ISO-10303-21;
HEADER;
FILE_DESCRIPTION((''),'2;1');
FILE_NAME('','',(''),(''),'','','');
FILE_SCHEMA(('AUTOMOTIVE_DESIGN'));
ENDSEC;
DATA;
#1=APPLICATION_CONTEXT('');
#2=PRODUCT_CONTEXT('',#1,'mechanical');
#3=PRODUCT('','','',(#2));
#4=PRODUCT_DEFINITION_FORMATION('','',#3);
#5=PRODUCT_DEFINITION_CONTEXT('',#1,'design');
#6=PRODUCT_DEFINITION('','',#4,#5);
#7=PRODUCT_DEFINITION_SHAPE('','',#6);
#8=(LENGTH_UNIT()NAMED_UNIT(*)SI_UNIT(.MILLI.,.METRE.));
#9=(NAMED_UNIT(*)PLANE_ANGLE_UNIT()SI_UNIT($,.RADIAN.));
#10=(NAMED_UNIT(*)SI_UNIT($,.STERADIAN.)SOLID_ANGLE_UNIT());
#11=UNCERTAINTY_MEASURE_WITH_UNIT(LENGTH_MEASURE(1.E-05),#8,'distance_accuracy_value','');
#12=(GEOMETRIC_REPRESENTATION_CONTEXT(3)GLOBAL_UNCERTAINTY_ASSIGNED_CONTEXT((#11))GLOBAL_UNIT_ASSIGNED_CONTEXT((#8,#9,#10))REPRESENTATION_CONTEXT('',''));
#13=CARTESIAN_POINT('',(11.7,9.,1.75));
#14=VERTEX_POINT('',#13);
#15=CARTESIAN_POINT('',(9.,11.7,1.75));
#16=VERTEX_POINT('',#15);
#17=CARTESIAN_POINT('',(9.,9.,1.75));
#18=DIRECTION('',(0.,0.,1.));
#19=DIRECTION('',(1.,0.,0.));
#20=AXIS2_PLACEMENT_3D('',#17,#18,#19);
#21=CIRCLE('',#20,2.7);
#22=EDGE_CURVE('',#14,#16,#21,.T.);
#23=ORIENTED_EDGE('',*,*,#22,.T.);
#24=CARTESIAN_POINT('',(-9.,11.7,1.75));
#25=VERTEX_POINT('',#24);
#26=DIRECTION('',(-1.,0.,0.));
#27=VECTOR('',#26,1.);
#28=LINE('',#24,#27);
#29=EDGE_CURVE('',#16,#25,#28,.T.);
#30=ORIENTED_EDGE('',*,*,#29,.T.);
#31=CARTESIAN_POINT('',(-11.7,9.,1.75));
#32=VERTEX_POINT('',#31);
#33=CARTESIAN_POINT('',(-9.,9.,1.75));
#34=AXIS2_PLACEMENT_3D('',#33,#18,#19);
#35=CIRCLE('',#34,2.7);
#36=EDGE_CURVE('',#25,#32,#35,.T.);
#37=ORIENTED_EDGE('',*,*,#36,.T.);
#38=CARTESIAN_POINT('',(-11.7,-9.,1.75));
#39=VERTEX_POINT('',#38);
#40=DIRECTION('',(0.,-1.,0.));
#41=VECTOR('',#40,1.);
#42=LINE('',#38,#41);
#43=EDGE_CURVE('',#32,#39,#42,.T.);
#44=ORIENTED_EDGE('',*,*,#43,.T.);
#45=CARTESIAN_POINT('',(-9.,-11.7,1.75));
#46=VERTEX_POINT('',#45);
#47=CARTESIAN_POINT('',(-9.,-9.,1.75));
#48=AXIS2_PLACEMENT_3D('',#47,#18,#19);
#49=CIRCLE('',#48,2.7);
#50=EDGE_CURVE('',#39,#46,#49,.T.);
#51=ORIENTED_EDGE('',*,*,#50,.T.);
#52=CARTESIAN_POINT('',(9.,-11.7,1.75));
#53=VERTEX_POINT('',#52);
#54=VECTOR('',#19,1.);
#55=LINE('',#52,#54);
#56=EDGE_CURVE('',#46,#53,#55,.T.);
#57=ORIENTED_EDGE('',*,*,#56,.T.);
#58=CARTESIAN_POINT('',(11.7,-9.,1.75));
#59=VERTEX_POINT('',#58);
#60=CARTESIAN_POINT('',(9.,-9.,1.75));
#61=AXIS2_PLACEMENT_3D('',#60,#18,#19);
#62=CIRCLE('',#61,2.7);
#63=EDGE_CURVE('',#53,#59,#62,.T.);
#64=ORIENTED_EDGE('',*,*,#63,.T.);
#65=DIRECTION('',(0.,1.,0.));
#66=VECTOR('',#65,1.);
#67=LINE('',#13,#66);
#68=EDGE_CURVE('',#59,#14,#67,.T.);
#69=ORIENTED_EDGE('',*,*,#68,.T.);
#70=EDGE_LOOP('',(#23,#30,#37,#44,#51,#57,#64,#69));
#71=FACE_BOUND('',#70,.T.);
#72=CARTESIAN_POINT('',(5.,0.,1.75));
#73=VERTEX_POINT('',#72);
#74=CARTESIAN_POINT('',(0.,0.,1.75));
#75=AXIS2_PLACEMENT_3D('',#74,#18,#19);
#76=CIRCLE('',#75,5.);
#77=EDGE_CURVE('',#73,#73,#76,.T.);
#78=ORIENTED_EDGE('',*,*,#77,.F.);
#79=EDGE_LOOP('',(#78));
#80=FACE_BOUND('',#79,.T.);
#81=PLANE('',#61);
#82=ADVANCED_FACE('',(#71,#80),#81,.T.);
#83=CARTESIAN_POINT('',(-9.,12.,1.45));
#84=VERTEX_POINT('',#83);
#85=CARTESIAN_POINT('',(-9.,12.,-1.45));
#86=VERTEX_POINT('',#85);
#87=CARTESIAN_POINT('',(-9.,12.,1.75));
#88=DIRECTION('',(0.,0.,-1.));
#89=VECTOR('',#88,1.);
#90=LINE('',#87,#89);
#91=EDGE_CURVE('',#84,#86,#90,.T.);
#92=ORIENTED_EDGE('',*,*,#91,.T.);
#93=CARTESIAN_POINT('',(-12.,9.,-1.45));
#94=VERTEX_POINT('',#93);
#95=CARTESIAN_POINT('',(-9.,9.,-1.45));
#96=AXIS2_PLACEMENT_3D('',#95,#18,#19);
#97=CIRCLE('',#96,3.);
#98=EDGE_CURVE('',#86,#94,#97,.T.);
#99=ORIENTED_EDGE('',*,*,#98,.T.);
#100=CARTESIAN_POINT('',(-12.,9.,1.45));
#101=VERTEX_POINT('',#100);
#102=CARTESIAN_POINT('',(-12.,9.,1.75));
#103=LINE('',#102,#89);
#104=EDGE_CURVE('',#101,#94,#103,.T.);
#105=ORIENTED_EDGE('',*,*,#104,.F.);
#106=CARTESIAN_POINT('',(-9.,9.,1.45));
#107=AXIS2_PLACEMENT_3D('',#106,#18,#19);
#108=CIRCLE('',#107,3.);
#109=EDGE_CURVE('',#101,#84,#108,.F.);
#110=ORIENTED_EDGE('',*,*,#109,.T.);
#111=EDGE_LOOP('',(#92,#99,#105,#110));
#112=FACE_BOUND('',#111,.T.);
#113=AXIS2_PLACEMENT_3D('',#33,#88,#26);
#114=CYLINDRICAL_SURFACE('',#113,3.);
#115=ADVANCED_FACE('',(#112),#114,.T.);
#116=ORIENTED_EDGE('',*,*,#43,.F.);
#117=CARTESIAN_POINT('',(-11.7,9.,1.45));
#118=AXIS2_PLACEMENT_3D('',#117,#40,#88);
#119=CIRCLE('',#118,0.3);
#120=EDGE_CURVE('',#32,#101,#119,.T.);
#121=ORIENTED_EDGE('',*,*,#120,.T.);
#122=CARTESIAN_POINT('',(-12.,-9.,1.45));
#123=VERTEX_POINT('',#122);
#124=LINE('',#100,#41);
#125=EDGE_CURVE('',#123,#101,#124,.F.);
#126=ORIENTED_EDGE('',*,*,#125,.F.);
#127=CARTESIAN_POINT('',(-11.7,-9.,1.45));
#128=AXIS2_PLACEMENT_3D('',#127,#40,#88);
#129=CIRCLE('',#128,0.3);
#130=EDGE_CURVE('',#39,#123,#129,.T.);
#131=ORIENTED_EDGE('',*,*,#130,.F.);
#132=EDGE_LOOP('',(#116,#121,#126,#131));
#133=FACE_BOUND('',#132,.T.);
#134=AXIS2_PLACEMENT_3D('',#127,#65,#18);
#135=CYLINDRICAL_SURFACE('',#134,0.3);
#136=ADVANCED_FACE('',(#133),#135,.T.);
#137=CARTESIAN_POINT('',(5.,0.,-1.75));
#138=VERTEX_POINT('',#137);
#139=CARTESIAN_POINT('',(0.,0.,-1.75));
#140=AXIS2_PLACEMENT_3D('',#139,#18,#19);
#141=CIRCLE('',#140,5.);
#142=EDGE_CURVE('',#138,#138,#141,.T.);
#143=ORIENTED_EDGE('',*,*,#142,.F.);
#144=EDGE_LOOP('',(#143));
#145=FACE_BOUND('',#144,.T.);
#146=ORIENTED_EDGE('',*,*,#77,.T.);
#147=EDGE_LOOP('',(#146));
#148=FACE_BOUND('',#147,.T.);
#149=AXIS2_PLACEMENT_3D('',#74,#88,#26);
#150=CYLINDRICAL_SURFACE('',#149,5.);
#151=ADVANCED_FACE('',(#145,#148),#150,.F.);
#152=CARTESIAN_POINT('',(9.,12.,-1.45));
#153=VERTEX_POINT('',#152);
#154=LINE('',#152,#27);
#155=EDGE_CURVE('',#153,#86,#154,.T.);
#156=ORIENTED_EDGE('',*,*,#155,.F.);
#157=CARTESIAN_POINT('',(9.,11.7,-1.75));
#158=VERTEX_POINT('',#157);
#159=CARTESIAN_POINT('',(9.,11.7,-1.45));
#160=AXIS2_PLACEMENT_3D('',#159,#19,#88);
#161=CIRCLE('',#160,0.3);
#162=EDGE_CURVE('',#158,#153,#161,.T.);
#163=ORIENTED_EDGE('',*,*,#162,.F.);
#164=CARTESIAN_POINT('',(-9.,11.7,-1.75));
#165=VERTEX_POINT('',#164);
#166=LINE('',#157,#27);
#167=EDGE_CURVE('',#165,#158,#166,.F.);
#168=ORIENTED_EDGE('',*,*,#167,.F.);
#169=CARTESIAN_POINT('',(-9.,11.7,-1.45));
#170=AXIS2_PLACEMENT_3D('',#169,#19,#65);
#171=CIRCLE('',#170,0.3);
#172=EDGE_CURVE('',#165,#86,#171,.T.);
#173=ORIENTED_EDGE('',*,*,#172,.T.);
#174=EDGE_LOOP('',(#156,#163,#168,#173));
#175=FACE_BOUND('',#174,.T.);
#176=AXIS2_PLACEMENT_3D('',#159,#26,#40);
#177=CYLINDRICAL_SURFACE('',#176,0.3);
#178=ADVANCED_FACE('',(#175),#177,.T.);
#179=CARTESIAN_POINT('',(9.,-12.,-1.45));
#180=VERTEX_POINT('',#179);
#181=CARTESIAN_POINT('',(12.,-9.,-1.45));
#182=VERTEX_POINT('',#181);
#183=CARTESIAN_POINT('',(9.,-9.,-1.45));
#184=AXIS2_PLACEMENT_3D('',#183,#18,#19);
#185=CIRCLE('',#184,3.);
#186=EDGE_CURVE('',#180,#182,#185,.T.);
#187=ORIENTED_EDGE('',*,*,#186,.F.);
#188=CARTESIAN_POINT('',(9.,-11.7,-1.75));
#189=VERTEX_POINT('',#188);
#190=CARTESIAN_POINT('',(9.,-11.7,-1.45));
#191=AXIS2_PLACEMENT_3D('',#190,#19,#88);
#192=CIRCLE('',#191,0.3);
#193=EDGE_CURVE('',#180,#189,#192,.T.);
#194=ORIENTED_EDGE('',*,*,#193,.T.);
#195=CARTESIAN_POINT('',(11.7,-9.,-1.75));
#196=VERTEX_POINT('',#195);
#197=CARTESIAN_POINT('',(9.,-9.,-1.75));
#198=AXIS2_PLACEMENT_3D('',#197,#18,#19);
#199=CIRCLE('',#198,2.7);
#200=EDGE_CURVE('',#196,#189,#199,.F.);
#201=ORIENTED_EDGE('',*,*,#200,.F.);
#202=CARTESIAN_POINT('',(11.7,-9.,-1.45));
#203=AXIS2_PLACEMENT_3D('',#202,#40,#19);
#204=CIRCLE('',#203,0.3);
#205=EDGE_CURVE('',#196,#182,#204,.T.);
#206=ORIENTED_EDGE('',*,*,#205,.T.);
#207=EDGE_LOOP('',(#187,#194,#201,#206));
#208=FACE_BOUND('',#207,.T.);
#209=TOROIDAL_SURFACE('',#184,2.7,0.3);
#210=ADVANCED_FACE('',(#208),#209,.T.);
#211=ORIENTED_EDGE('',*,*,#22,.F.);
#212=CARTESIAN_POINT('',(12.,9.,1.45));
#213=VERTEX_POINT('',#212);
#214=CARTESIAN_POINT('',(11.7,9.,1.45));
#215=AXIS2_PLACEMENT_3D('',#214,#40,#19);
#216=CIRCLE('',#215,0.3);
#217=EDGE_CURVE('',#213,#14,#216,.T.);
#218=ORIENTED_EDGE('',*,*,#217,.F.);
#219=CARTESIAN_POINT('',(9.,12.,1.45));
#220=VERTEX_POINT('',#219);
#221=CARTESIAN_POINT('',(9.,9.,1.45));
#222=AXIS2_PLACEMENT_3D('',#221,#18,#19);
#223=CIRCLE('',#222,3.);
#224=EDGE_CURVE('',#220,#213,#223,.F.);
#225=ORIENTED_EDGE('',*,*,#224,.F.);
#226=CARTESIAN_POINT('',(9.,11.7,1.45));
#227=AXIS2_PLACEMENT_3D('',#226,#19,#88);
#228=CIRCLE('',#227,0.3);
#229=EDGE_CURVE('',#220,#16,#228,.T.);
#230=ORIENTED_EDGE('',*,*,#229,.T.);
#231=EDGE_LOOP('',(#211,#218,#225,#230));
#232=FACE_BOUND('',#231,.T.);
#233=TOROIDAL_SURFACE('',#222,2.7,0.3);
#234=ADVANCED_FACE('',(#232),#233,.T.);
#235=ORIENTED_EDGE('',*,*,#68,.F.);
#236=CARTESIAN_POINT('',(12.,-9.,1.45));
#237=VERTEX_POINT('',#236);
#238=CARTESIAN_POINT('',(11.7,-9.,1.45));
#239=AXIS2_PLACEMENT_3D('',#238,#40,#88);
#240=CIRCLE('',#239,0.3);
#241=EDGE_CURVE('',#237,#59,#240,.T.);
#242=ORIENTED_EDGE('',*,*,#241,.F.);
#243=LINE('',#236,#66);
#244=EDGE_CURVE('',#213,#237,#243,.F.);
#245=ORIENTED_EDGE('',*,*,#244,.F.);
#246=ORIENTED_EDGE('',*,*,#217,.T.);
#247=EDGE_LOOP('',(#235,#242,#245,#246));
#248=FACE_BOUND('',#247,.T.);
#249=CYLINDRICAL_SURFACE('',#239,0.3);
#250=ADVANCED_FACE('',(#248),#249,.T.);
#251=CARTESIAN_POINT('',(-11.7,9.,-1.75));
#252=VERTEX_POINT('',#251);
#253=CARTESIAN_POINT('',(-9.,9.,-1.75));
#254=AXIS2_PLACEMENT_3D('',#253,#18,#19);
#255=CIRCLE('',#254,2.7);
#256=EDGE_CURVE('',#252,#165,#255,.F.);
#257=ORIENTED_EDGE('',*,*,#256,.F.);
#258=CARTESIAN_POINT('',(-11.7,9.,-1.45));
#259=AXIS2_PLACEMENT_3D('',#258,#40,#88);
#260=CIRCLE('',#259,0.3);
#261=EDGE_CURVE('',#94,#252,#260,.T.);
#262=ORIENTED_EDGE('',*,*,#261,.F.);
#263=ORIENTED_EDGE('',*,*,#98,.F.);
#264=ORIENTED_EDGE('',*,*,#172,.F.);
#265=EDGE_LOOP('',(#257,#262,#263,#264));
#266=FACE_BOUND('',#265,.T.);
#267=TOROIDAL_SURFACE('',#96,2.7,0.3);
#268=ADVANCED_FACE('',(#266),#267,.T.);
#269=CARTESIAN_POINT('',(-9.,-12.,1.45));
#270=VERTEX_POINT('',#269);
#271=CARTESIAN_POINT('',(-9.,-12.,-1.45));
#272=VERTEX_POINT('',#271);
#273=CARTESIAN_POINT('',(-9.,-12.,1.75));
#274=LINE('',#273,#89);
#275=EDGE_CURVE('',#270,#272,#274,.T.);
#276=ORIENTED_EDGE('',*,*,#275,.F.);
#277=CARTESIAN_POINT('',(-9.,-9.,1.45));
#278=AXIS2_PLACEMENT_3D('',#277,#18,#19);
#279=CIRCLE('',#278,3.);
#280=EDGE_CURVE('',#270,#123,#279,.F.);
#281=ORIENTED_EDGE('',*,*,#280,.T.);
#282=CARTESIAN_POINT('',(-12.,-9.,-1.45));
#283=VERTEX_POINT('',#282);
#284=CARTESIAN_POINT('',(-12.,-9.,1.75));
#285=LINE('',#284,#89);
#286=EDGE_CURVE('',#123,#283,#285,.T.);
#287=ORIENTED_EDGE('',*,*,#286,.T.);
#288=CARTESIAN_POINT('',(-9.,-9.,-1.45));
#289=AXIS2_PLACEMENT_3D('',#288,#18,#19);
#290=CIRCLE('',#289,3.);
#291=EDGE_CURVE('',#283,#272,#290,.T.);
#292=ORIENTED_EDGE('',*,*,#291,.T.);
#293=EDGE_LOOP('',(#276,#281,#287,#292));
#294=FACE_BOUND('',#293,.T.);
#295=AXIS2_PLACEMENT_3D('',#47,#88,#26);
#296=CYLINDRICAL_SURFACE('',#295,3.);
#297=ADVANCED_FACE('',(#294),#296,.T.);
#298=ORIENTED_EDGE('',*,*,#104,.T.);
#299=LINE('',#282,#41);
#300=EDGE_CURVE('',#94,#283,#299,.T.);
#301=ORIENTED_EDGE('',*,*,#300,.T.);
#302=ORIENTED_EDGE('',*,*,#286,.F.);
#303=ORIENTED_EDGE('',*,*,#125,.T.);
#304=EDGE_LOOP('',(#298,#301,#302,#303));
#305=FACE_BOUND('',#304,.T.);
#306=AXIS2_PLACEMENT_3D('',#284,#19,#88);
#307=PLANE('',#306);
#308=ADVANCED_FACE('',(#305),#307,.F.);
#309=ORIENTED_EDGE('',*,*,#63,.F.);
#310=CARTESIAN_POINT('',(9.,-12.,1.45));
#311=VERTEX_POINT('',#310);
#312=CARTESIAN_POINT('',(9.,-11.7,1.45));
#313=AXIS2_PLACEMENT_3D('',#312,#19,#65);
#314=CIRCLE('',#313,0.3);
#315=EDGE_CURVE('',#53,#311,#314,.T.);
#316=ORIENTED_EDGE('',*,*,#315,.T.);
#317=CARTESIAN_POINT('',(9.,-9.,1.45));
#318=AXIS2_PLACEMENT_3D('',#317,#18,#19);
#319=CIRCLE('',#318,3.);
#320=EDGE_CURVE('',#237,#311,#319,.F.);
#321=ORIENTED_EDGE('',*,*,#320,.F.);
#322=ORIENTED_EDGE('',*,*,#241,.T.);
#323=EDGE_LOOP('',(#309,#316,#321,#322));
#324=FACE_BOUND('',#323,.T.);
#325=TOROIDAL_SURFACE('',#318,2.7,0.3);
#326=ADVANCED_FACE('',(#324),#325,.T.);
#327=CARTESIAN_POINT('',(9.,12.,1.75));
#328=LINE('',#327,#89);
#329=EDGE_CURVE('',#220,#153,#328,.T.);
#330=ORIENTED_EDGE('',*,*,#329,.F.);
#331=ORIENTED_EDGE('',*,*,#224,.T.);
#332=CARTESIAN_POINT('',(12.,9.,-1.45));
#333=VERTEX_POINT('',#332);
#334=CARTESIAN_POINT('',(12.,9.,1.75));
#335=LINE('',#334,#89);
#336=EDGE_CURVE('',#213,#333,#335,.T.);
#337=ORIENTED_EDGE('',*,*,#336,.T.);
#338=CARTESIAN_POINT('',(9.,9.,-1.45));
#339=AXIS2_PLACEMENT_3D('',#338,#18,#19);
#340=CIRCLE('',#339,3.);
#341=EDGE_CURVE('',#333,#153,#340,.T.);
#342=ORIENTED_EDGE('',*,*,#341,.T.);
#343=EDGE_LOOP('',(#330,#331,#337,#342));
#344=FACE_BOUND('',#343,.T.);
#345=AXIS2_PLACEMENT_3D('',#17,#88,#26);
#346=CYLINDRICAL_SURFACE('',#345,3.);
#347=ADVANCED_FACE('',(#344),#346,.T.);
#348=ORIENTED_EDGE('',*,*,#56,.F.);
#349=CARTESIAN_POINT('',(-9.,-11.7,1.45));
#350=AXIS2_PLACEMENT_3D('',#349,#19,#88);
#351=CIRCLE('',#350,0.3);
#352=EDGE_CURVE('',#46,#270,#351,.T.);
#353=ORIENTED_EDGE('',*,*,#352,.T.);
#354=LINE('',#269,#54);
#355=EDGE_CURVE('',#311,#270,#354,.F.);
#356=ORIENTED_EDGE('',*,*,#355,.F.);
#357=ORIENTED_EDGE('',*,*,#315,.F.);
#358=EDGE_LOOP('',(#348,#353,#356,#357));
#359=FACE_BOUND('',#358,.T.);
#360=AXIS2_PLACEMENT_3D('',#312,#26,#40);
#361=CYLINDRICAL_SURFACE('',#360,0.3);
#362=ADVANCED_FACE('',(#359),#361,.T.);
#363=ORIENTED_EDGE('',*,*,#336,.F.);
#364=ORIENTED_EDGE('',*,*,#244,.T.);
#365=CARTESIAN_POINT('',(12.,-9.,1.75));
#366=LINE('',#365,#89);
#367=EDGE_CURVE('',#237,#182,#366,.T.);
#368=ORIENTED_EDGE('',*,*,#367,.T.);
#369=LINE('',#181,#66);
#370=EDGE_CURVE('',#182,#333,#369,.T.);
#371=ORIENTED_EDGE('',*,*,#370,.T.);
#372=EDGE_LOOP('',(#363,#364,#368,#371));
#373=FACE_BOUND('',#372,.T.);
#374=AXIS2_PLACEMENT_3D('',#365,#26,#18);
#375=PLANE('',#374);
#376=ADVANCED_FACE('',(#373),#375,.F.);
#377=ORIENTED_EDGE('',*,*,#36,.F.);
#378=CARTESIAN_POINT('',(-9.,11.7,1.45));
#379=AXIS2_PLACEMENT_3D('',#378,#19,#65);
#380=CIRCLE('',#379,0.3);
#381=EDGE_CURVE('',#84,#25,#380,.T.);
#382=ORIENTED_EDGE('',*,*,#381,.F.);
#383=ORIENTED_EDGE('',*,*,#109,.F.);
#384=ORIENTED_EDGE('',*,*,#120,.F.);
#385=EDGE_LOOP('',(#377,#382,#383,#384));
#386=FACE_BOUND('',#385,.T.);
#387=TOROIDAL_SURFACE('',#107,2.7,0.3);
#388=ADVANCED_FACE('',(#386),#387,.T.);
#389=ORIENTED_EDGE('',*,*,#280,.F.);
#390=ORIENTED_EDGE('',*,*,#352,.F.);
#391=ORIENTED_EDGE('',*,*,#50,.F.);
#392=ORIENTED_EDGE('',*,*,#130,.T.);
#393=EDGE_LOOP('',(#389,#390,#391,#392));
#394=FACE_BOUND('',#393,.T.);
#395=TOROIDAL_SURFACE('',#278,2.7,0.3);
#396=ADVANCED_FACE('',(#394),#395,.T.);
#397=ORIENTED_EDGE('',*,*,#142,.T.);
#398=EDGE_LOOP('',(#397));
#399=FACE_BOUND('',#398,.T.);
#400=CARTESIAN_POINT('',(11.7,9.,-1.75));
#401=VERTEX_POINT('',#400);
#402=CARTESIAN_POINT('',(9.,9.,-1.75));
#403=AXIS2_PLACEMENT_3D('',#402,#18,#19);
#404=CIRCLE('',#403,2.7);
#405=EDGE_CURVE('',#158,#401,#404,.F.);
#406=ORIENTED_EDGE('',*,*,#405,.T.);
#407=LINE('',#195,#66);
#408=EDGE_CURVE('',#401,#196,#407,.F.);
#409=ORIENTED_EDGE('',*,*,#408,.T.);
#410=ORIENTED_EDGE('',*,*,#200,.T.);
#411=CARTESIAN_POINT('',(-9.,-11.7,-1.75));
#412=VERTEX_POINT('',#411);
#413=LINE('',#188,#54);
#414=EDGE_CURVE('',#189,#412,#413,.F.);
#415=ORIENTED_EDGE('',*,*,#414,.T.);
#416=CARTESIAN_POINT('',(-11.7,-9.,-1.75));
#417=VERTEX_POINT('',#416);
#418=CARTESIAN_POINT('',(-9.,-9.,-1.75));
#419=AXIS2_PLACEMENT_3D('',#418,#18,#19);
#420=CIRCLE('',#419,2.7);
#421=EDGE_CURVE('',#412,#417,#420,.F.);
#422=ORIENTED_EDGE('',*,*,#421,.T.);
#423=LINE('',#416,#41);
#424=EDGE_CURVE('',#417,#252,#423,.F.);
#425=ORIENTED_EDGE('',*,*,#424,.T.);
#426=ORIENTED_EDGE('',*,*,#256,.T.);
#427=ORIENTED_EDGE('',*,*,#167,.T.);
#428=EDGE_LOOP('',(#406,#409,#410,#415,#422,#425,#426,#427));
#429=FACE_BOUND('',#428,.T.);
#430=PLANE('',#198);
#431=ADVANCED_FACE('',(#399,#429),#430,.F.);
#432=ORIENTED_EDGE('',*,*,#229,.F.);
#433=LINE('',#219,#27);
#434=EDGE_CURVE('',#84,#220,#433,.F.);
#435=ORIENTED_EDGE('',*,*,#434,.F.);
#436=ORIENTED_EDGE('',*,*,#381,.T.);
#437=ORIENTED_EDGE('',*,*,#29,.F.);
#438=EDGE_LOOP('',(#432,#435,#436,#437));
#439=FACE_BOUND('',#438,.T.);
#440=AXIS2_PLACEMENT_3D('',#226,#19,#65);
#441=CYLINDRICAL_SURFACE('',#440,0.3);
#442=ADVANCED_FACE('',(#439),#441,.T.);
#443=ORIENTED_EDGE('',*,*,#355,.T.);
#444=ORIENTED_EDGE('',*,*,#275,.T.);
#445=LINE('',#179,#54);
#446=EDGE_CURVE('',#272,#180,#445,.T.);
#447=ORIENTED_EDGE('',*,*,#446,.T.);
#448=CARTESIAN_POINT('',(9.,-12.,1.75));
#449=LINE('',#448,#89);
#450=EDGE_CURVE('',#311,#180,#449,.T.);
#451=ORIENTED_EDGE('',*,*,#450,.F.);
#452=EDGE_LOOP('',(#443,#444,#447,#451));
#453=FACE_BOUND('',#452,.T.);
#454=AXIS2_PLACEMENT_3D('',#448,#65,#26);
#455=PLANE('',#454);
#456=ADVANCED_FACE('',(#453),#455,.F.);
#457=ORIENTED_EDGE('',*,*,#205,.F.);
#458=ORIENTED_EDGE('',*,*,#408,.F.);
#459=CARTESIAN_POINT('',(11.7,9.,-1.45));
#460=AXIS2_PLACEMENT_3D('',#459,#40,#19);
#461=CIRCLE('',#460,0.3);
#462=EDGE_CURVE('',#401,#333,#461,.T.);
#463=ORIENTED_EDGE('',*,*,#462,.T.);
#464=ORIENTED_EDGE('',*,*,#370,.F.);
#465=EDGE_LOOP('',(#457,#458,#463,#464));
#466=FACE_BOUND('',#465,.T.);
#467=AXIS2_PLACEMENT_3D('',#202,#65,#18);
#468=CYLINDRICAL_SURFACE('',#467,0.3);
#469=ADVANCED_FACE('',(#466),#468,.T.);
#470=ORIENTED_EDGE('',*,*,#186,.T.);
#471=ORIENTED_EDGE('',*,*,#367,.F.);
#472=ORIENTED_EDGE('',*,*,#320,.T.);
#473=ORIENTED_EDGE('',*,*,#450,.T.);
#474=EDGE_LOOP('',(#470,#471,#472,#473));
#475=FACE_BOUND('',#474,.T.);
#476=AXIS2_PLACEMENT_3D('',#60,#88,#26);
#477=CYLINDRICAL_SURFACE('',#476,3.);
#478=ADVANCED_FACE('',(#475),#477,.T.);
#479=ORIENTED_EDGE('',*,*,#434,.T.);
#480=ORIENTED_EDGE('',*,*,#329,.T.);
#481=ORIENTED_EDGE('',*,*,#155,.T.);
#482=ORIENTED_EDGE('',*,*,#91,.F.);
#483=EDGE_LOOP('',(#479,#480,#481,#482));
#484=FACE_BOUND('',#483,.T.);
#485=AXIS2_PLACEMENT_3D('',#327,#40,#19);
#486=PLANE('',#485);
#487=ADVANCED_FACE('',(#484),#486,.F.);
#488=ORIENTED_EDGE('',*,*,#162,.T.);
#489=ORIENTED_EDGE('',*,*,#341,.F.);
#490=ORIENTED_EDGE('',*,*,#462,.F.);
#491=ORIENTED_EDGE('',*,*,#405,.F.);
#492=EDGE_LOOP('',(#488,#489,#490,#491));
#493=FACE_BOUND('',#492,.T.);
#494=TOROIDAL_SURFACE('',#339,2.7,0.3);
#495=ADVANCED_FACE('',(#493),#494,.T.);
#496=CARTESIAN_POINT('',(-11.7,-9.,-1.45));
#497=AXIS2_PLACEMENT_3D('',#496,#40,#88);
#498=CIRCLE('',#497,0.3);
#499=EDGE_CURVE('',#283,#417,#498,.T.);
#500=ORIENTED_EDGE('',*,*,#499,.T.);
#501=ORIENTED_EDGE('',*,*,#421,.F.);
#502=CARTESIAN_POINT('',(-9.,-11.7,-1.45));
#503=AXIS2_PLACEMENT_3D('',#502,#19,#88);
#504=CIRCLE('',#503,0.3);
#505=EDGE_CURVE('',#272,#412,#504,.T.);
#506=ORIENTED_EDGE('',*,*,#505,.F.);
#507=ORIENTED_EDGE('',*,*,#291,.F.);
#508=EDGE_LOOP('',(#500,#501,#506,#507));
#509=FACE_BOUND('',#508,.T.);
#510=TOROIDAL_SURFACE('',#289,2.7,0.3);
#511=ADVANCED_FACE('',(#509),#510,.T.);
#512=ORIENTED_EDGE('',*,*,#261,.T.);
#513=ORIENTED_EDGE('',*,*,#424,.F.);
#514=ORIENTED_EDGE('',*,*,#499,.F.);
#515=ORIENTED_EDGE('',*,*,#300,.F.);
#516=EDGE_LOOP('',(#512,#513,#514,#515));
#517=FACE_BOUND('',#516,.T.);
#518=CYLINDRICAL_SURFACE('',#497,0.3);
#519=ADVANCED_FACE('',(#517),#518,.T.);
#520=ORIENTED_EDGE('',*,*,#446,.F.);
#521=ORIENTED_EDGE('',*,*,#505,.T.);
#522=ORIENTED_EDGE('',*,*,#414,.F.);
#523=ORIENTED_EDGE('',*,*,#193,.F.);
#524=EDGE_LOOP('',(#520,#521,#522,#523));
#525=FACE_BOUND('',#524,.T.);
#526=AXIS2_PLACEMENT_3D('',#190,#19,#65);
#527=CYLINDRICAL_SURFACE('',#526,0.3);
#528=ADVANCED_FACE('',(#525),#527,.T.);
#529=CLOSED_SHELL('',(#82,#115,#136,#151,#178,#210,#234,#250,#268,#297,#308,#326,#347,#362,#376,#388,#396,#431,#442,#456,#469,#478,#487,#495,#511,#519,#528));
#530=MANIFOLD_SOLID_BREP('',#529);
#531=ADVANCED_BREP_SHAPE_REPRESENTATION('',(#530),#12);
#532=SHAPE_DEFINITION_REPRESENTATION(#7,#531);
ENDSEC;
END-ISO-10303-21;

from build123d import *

# Parameters (mm, degrees)
SKETCH1_R           = 5
BOSS_EXTRUDE1_DEPTH = 1.75
FILLET1_R           = 0.3


with BuildPart() as part:
    # Sketch1 → Boss-Extrude1 (new, symmetric)
    with BuildSketch(Plane.XY):
        with BuildLine():
            Line((9, -12), (-9, -12))
            ThreePointArc((-9, -12), (-11.121320344, -11.121320344), (-12, -9))
            Line((-12, -9), (-12, 9))
            ThreePointArc((-12, 9), (-11.121320344, 11.121320344), (-9, 12))
            Line((-9, 12), (9, 12))
            ThreePointArc((9, 12), (11.121320344, 11.121320344), (12, 9))
            Line((12, 9), (12, -9))
            ThreePointArc((12, -9), (11.121320344, -11.121320344), (9, -12))
        make_face()
        Circle(SKETCH1_R, mode=Mode.SUBTRACT)
    extrude(amount=BOSS_EXTRUDE1_DEPTH, both=True)

    # Fillet1
    fillet1_edges = [part.edges().sort_by_distance(p)[0] for p in [
        (0, 12, -1.75),
        (11.121320344, 11.121320344, -1.75),
        (12, 0, -1.75),
        (11.121320344, -11.121320344, -1.75),
        (11.121320344, 11.121320344, 1.75),
        (0, 12, 1.75),
        (-11.121320344, 11.121320344, 1.75),
        (-12, 0, 1.75),
        (-11.121320344, -11.121320344, 1.75),
        (0, -12, 1.75),
        (11.121320344, -11.121320344, 1.75),
        (0, -12, -1.75),
        (12, 0, 1.75),
        (-11.121320344, -11.121320344, -1.75),
        (-12, 0, -1.75),
        (-11.121320344, 11.121320344, -1.75),
    ]]
    fillet(fillet1_edges, radius=FILLET1_R)


solid = part.part
